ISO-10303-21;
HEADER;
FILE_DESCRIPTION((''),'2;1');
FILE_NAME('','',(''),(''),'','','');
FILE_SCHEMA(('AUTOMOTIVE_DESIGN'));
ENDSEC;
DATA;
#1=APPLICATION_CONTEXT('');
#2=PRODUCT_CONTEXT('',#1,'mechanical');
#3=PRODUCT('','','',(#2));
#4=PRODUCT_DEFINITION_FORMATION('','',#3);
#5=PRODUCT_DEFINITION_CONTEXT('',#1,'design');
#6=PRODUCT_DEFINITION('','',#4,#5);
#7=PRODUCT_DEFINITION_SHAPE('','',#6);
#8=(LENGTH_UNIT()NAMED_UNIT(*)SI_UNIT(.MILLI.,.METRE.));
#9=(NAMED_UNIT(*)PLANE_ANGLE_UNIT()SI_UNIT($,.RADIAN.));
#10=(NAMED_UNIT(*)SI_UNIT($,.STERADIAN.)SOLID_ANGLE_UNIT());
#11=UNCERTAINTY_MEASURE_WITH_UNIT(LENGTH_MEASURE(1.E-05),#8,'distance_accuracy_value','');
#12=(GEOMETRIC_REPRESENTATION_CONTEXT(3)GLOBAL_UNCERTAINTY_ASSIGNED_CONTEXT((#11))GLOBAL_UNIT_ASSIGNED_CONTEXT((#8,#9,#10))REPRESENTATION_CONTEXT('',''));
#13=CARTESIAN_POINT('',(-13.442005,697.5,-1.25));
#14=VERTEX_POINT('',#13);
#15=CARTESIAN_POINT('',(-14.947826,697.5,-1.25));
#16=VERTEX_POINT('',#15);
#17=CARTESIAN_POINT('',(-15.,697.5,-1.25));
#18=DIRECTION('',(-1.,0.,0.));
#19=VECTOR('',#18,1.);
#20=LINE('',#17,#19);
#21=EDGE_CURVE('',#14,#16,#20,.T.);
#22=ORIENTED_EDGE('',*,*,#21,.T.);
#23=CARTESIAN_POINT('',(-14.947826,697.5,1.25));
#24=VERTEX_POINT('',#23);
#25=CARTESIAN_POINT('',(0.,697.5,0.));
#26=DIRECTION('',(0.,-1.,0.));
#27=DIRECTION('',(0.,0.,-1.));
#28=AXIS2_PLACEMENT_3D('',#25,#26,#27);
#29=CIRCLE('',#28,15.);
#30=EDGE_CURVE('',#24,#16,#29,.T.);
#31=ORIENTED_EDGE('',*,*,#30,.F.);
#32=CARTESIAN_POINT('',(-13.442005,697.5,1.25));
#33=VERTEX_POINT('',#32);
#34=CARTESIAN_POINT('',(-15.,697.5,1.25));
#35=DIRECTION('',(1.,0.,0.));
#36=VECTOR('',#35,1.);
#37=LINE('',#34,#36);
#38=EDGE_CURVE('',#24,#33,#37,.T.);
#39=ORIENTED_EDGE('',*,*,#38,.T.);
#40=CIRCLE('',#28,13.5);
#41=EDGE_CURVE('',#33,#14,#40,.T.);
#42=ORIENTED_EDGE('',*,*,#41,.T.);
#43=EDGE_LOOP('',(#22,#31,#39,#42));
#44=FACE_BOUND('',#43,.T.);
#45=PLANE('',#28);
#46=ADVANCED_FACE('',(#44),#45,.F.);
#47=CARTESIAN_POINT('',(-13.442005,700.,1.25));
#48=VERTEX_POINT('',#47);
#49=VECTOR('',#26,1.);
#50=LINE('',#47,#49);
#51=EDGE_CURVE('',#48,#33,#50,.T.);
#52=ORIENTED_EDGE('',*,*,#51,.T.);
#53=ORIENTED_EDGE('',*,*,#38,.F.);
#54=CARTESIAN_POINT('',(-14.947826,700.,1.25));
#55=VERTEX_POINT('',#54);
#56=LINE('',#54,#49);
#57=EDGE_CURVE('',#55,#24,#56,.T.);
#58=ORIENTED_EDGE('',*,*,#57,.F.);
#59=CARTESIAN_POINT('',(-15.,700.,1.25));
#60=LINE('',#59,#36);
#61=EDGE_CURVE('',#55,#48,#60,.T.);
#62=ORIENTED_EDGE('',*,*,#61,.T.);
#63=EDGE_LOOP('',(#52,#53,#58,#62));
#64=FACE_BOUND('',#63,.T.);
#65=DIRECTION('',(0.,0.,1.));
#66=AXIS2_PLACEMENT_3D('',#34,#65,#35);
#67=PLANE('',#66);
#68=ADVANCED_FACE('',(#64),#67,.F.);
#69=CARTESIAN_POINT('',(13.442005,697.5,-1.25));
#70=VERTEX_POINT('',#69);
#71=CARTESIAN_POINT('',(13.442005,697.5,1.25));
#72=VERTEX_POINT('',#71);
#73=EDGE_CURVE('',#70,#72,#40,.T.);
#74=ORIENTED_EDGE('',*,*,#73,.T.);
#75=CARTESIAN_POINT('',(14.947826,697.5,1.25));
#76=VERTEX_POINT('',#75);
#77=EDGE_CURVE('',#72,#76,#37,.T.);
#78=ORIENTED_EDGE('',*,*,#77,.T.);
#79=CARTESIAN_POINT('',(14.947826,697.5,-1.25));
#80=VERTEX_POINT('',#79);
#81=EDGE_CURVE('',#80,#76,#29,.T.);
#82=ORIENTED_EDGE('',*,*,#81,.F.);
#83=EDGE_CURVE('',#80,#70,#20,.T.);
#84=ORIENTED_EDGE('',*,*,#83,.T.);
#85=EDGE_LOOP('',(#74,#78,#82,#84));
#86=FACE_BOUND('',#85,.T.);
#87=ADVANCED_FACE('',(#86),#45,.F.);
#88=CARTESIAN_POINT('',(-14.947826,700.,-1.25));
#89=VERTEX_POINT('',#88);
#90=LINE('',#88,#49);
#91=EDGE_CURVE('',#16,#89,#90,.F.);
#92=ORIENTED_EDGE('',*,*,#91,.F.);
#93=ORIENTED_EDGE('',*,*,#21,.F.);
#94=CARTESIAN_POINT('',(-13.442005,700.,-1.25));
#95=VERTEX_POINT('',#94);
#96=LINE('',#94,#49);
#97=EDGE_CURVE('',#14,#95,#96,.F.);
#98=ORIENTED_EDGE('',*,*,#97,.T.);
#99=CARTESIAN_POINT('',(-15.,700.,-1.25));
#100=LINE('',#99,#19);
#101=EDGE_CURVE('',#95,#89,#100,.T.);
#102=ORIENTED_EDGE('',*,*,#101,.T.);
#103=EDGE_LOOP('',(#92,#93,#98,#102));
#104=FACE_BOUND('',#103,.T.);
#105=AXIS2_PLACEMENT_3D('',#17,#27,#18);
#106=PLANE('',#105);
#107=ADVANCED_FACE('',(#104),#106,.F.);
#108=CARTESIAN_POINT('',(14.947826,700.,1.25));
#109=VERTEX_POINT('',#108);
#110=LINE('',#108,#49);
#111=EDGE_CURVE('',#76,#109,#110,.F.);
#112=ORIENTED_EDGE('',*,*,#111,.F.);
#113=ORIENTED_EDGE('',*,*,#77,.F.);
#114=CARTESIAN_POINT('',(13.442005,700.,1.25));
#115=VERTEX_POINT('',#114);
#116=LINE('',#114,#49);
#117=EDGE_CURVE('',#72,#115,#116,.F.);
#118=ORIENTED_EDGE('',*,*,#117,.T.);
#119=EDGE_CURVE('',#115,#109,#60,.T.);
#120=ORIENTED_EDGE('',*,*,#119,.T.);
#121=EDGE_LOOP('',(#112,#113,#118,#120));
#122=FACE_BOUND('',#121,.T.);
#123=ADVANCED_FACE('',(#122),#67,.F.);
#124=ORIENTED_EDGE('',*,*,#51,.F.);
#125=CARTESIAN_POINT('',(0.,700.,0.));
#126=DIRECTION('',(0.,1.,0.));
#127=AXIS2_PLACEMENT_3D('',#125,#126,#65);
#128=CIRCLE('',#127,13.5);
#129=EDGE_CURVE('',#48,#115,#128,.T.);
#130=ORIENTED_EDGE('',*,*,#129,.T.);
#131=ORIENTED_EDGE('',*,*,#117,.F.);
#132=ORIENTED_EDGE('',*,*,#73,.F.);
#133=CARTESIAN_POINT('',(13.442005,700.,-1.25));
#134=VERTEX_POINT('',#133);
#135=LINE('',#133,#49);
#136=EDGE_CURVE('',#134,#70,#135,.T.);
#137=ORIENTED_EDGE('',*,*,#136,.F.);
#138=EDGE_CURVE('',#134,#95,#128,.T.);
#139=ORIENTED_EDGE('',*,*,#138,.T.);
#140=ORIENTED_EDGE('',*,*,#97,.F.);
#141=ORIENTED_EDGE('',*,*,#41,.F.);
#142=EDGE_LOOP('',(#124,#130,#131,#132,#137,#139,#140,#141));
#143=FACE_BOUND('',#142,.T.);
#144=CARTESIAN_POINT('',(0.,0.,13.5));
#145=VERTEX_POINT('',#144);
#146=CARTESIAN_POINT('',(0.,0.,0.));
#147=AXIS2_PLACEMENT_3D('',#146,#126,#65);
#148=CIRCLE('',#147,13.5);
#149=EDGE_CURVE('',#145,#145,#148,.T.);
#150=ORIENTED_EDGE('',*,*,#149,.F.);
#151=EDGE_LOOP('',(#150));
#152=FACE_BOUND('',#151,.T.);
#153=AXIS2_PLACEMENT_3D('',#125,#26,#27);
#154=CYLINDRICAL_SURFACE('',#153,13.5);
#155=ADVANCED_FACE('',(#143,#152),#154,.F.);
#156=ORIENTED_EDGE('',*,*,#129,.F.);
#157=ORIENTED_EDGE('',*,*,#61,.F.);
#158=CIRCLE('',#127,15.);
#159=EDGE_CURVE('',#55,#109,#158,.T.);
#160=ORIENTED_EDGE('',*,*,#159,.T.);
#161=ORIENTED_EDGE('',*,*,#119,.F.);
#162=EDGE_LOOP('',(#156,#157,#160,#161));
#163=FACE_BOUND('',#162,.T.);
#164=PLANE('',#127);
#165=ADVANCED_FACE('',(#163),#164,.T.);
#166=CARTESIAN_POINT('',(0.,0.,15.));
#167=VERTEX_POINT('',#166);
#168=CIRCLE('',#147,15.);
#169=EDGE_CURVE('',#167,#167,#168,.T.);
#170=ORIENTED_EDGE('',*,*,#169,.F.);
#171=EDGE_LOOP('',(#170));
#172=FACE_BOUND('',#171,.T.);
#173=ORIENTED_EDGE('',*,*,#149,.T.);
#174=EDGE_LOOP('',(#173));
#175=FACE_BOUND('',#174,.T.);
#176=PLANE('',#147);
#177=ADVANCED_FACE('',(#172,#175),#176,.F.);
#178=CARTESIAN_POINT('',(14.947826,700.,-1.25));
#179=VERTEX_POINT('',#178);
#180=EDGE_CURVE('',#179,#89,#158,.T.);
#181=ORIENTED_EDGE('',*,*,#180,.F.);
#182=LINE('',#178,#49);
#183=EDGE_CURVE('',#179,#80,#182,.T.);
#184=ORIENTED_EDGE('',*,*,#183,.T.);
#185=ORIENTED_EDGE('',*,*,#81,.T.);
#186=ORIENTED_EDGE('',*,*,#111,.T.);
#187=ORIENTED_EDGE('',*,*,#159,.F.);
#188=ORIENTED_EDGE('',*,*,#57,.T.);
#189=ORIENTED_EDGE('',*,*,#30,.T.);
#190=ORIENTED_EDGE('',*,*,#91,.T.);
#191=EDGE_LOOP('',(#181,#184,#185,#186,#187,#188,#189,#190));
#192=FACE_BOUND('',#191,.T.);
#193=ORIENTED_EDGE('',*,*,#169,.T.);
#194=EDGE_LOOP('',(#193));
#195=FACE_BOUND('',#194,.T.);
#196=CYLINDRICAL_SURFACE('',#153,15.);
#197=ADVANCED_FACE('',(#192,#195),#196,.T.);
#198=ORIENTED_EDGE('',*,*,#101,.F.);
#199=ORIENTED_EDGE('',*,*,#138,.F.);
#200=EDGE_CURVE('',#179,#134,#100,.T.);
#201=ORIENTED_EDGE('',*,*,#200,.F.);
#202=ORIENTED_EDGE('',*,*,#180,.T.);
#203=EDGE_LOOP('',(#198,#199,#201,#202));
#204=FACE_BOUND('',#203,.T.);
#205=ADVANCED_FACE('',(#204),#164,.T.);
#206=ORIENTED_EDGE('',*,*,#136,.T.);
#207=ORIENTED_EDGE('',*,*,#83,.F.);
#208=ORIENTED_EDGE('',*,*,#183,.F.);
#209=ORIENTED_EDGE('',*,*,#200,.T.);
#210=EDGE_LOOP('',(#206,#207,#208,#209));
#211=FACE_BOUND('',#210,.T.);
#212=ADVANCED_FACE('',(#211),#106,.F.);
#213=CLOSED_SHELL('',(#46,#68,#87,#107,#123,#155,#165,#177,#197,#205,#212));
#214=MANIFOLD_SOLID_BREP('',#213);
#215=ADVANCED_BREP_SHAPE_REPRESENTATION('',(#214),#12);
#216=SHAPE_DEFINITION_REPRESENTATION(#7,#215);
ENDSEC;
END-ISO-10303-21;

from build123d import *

# Parameters (mm, degrees)
SKETCH1_R           = 15
SKETCH1_R_2         = 13.5
BOSS_EXTRUDE1_DEPTH = 700
SKETCH2_W           = 30
SKETCH2_H           = 2.5
CUT_EXTRUDE1_DEPTH  = 2.5


with BuildPart() as part:
    # Sketch1 → Boss-Extrude1 (new body)
    with BuildSketch(Plane(origin=(0, 0, 0), x_dir=(1, 0, 0), z_dir=(0, 1, 0))):
        Circle(SKETCH1_R)
        Circle(SKETCH1_R_2, mode=Mode.SUBTRACT)
    extrude(amount=BOSS_EXTRUDE1_DEPTH)

    # Sketch2 → Cut-Extrude1 (cut)
    with BuildSketch(Plane(origin=(0, 700, 0), x_dir=(1, 0, 0), z_dir=(0, 1, 0))):
        Rectangle(SKETCH2_W, SKETCH2_H)
    extrude(amount=-CUT_EXTRUDE1_DEPTH, mode=Mode.SUBTRACT)


solid = part.part
